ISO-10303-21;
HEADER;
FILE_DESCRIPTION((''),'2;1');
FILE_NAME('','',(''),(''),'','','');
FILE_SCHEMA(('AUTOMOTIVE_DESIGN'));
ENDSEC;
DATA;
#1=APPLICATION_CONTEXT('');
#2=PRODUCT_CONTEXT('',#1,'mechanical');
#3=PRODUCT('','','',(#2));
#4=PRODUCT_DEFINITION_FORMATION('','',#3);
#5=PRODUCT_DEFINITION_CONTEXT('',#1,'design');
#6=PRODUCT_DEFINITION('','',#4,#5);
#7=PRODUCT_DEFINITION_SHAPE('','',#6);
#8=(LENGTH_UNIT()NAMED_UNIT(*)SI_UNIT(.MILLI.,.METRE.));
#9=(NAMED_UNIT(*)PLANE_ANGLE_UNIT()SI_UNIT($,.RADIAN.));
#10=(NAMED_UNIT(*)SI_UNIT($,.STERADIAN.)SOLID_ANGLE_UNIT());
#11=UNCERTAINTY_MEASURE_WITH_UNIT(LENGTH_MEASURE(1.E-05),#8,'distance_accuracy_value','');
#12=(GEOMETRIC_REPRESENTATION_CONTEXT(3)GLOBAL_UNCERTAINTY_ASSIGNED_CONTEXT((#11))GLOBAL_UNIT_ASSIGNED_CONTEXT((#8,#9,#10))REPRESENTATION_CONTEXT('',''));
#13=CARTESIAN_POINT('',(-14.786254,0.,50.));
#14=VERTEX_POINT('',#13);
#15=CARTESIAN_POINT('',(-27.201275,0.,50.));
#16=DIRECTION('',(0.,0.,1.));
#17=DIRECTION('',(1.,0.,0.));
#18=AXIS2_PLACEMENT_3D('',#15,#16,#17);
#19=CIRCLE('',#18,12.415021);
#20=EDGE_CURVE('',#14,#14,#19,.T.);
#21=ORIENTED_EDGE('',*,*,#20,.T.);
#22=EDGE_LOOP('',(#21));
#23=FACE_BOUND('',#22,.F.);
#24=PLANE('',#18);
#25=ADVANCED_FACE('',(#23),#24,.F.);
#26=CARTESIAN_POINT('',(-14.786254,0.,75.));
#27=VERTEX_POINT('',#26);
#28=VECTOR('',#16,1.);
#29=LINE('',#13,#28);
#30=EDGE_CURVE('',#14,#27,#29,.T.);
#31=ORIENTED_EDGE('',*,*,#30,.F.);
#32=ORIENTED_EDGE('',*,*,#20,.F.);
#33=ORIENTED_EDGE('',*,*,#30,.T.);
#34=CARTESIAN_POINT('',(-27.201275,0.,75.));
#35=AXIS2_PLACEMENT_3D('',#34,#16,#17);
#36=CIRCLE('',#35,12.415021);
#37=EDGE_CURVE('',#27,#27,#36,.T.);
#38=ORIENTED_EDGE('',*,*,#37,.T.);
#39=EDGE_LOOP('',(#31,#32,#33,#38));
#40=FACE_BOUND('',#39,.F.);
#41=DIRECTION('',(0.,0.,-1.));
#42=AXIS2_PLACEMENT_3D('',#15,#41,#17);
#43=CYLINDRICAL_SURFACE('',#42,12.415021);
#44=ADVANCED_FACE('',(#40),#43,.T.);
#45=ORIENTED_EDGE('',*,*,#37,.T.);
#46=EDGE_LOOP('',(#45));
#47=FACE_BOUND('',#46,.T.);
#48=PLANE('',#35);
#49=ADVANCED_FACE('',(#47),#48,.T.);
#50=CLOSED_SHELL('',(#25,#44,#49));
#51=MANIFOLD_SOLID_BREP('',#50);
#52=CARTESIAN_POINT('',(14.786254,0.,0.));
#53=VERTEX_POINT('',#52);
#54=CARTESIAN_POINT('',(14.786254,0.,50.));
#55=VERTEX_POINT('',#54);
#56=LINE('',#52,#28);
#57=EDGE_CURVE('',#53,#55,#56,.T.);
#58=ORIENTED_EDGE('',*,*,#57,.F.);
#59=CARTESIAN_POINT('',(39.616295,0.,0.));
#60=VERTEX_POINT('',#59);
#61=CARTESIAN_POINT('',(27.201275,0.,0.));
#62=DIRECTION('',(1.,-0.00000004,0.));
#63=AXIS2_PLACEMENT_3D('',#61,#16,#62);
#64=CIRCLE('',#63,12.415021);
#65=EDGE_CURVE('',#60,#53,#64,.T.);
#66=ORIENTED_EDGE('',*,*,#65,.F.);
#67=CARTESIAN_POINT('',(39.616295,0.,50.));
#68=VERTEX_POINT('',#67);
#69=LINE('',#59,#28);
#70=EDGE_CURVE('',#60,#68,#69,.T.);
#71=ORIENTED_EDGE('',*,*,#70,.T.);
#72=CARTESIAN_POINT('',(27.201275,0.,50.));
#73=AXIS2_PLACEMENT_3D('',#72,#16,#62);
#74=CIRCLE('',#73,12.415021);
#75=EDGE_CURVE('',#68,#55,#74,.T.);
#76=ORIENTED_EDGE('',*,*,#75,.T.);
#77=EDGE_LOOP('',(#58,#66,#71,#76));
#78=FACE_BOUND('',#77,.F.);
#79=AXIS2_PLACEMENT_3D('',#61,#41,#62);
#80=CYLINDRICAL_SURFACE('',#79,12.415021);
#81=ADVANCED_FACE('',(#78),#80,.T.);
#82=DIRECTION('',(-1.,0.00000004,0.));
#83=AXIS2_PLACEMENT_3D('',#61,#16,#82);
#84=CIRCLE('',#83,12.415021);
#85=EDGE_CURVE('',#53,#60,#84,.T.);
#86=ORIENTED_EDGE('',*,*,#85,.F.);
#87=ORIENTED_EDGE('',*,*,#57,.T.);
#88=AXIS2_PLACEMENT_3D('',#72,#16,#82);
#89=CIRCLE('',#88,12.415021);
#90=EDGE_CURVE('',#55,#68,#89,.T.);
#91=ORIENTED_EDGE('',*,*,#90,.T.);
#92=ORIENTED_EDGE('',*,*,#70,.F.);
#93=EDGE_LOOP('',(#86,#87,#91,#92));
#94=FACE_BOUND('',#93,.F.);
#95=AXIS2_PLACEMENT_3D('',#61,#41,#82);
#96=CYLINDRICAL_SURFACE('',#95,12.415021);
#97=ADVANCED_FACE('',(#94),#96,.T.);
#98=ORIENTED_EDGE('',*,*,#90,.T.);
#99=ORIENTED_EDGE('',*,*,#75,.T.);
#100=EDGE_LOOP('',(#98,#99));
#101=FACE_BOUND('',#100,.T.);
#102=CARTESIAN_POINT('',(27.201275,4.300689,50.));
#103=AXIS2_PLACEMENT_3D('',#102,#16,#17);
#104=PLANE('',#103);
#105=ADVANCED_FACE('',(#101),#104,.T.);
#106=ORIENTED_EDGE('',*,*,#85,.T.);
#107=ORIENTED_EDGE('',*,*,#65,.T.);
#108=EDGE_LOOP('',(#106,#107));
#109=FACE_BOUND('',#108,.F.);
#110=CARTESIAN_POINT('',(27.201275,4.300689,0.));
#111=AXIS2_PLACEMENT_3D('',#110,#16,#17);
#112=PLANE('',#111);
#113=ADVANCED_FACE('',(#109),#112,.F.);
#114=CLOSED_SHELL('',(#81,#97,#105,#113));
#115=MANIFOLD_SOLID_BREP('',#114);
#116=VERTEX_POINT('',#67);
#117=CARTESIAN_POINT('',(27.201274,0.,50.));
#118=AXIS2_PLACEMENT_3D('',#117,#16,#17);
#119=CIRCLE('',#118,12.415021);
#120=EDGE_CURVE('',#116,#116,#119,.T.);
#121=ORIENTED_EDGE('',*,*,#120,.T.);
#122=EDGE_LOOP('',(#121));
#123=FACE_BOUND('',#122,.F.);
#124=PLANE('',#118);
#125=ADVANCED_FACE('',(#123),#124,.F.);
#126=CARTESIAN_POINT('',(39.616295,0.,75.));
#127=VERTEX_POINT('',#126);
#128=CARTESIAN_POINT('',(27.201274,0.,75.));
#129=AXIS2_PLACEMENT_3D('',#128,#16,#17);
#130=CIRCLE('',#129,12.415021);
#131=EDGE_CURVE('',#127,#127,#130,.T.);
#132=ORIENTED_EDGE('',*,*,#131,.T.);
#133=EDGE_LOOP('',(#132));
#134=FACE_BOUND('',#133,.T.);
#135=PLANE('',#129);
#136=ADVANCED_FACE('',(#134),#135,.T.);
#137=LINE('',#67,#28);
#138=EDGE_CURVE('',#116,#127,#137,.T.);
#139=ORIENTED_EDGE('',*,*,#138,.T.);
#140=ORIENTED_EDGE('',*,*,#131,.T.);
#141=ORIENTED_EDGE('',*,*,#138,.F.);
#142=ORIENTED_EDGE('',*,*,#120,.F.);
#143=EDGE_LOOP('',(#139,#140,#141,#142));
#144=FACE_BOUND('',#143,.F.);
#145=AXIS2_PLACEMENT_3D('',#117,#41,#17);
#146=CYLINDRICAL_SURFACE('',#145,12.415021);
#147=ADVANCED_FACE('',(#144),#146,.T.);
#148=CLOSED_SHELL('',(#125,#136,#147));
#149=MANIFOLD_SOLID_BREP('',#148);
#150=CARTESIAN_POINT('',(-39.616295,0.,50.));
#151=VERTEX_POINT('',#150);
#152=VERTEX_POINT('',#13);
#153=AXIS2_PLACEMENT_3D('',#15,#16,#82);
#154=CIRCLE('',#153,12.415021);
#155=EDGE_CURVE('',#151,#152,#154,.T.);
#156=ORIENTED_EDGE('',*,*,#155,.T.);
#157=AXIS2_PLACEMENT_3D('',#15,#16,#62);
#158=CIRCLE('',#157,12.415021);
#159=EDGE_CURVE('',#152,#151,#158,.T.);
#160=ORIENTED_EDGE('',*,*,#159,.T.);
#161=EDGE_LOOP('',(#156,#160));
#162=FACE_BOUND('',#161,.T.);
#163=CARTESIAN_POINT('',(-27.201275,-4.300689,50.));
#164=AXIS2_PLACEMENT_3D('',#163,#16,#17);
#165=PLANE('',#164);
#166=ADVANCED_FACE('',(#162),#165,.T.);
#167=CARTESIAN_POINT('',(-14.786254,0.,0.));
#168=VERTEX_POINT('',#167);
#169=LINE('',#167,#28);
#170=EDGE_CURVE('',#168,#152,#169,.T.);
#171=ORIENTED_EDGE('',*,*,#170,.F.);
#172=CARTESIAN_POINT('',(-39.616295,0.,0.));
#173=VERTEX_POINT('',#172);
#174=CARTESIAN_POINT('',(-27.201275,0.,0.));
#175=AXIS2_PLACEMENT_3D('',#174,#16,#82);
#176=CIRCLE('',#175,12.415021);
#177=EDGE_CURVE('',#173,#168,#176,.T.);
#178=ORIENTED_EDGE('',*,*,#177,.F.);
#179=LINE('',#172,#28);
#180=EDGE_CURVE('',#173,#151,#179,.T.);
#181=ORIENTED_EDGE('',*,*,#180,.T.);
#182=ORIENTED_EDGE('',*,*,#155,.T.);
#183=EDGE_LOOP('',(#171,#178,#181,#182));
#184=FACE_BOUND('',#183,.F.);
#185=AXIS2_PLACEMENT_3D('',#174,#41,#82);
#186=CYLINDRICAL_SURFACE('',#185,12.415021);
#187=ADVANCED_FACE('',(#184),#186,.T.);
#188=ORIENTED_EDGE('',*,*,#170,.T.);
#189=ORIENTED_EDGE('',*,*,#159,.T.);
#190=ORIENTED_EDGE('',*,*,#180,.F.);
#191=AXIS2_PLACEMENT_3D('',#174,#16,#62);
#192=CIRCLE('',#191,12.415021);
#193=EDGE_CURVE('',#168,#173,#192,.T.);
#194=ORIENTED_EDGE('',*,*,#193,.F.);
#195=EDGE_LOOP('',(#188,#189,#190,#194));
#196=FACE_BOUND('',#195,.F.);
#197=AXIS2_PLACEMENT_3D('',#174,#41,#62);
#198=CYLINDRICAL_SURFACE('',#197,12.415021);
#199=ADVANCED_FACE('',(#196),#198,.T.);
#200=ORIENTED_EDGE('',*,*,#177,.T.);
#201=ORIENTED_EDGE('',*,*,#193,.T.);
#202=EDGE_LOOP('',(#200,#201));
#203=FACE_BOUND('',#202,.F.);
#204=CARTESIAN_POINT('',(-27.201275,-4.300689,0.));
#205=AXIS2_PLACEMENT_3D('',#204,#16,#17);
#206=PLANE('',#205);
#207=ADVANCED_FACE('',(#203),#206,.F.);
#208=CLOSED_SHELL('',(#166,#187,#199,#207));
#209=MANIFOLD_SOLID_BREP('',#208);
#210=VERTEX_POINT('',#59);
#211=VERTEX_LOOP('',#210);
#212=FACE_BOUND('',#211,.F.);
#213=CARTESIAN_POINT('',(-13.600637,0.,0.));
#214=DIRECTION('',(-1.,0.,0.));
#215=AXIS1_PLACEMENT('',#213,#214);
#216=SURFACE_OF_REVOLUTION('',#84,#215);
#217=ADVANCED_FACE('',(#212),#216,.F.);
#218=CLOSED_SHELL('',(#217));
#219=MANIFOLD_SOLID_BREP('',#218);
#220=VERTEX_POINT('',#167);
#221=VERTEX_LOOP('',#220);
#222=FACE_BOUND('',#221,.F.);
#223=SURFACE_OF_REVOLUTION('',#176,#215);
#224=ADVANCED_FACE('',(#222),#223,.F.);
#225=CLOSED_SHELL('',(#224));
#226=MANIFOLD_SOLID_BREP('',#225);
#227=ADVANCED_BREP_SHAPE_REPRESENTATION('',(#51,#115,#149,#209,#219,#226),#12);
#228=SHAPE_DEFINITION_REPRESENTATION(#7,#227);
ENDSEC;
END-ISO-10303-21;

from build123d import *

# Parameters (mm, degrees)
F1_DEPTH  = 50
F1_FACE_R = 12.415021
F3_DEPTH  = 25


with BuildPart() as f1:
    # F0 (on Top) → F1 (new body)
    with BuildSketch(Plane.XY):
        with BuildLine():
            ThreePointArc((-39.616295, 0), (-27.201274, -12.415021), (-14.786254, 0))
            Line((-14.786254, 0), (-27.201274, 0))
            Line((-27.201274, 0), (-39.616295, 0))
        make_face()
        with BuildLine():
            Line((-27.201274, 0), (-14.786254, 0))
            ThreePointArc((-14.786254, 0), (-27.201274, 12.415021), (-39.616295, 0))
            Line((-39.616295, 0), (-27.201274, 0))
        make_face()
        with BuildLine():
            ThreePointArc((39.616295, 0), (27.201274, 12.415021), (14.786254, 0))
            Line((14.786254, 0), (27.201274, 0))
            Line((27.201274, 0), (39.616295, 0))
        make_face()
        with BuildLine():
            Line((27.201274, 0), (14.786254, 0))
            ThreePointArc((14.786254, 0), (27.201274, -12.415021), (39.616295, 0))
            Line((39.616295, 0), (27.201274, 0))
        make_face()
    extrude(amount=F1_DEPTH)


with BuildPart() as f2:
    # F0 (on Top) → F2 (revolve)
    with BuildSketch(Plane.XY):
        with BuildLine():
            ThreePointArc((-39.616295, 0), (-27.201274, -12.415021), (-14.786254, 0))
            Line((-14.786254, 0), (-27.201274, 0))
            Line((-27.201274, 0), (-39.616295, 0))
        make_face()
        with BuildLine():
            Line((27.201274, 0), (14.786254, 0))
            ThreePointArc((14.786254, 0), (27.201274, -12.415021), (39.616295, 0))
            Line((39.616295, 0), (27.201274, 0))
        make_face()
    revolve(axis=Axis((-13.600637, 0, 0), (-1, 0, 0)))


with BuildPart() as f3:
    # F1_face (on face) → F3 (new body)
    with BuildSketch(Plane(origin=(27.201274, 0, 50), x_dir=(1, 0, 0), z_dir=(0, 0, 1))):
        Circle(F1_FACE_R)
        with Locations((-54.402549, 0)):
            Circle(F1_FACE_R)
    extrude(amount=F3_DEPTH)


solid = Compound([f1.part, f2.part, f3.part])
